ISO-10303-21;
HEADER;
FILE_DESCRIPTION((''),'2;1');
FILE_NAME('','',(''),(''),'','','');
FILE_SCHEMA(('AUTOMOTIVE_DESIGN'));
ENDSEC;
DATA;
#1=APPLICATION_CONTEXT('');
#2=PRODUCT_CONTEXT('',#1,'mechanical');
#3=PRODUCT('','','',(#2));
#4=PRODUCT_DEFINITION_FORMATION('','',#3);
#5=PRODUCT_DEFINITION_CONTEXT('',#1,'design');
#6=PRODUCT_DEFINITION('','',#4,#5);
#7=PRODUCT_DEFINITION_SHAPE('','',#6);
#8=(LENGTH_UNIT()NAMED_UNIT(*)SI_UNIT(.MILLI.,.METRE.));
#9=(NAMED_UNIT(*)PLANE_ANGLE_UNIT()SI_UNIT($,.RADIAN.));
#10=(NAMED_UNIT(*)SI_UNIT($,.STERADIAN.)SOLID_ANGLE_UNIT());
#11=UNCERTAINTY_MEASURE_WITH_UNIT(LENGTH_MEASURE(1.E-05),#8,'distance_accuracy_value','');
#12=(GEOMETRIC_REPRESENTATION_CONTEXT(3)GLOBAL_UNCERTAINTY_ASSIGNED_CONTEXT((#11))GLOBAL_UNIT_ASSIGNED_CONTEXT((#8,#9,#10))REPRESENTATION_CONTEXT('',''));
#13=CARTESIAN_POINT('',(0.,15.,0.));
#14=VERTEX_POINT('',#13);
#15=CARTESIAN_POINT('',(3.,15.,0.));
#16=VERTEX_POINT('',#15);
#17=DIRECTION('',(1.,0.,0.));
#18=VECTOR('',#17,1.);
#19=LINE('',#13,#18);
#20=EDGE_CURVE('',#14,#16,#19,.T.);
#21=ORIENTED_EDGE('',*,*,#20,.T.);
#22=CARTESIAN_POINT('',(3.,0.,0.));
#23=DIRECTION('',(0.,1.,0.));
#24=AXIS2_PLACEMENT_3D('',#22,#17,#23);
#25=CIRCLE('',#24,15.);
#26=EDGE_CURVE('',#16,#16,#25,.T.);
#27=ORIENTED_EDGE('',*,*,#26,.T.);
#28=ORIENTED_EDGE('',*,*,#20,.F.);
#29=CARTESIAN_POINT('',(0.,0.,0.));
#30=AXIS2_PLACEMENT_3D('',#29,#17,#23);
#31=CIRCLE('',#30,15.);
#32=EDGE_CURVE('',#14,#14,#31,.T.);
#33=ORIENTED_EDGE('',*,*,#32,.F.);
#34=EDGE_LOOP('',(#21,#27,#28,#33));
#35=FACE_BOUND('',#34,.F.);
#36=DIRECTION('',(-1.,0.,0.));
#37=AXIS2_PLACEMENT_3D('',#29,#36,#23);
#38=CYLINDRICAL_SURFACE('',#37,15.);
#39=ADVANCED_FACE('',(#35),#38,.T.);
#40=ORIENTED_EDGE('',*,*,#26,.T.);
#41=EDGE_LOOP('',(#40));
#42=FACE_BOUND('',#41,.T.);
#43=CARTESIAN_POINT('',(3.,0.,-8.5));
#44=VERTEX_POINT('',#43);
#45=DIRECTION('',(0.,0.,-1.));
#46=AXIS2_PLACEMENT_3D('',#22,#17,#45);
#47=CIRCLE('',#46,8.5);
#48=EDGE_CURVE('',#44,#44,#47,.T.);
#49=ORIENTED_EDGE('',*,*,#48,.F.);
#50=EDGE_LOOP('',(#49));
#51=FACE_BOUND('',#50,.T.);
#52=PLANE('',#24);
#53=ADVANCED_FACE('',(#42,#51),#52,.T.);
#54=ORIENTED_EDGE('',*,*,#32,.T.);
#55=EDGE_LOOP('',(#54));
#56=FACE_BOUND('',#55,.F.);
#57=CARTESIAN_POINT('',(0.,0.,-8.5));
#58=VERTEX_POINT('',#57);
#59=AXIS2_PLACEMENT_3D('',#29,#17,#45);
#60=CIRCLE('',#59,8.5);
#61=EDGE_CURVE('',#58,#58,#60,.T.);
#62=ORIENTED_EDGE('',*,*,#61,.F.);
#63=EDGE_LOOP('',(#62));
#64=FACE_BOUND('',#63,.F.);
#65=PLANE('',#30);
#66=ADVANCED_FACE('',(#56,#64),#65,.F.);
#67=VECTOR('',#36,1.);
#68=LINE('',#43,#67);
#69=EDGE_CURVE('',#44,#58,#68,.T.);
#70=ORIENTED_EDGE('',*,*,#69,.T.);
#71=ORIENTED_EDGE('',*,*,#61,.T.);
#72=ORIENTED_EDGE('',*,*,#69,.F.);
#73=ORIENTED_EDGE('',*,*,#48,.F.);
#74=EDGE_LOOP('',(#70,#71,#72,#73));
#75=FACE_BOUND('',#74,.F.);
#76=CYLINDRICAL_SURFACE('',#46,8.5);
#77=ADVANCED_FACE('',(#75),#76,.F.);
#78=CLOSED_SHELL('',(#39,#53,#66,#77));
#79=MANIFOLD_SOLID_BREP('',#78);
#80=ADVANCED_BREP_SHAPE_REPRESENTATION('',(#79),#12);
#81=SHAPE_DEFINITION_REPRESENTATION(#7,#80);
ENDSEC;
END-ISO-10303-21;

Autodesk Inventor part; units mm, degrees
ref_plane "YZ Plane" through (0, 0, 0) normal (1, 0, 0) x (0, 1, 0)
ref_plane "XZ Plane" through (0, 0, 0) normal (0, 1, 0) x (-1, 0, 0)
ref_plane "XY Plane" through (0, 0, 0) normal (0, 0, 1) x (1, 0, 0)
sketch "Sketch1" plane through (0, 0, 0) normal (1, 0, 0) x (0, 1, 0)
  circle A0 centre (0, 0) radius 15
  dimension "d0" = 30
extrude "Extrusion1" add sketch "Sketch1" along normal blind 3
sketch "Sketch2" plane through (3, 0, 0) normal (1, 0, 0) x (0, 0, -1)
  circle A0 centre (0, 0) radius 8.5
  dimension "d3" = 17
extrude "Extrusion2" cut sketch "Sketch2" against normal blind 3
properties part number "10. Washer" material "Steel, Cast"
